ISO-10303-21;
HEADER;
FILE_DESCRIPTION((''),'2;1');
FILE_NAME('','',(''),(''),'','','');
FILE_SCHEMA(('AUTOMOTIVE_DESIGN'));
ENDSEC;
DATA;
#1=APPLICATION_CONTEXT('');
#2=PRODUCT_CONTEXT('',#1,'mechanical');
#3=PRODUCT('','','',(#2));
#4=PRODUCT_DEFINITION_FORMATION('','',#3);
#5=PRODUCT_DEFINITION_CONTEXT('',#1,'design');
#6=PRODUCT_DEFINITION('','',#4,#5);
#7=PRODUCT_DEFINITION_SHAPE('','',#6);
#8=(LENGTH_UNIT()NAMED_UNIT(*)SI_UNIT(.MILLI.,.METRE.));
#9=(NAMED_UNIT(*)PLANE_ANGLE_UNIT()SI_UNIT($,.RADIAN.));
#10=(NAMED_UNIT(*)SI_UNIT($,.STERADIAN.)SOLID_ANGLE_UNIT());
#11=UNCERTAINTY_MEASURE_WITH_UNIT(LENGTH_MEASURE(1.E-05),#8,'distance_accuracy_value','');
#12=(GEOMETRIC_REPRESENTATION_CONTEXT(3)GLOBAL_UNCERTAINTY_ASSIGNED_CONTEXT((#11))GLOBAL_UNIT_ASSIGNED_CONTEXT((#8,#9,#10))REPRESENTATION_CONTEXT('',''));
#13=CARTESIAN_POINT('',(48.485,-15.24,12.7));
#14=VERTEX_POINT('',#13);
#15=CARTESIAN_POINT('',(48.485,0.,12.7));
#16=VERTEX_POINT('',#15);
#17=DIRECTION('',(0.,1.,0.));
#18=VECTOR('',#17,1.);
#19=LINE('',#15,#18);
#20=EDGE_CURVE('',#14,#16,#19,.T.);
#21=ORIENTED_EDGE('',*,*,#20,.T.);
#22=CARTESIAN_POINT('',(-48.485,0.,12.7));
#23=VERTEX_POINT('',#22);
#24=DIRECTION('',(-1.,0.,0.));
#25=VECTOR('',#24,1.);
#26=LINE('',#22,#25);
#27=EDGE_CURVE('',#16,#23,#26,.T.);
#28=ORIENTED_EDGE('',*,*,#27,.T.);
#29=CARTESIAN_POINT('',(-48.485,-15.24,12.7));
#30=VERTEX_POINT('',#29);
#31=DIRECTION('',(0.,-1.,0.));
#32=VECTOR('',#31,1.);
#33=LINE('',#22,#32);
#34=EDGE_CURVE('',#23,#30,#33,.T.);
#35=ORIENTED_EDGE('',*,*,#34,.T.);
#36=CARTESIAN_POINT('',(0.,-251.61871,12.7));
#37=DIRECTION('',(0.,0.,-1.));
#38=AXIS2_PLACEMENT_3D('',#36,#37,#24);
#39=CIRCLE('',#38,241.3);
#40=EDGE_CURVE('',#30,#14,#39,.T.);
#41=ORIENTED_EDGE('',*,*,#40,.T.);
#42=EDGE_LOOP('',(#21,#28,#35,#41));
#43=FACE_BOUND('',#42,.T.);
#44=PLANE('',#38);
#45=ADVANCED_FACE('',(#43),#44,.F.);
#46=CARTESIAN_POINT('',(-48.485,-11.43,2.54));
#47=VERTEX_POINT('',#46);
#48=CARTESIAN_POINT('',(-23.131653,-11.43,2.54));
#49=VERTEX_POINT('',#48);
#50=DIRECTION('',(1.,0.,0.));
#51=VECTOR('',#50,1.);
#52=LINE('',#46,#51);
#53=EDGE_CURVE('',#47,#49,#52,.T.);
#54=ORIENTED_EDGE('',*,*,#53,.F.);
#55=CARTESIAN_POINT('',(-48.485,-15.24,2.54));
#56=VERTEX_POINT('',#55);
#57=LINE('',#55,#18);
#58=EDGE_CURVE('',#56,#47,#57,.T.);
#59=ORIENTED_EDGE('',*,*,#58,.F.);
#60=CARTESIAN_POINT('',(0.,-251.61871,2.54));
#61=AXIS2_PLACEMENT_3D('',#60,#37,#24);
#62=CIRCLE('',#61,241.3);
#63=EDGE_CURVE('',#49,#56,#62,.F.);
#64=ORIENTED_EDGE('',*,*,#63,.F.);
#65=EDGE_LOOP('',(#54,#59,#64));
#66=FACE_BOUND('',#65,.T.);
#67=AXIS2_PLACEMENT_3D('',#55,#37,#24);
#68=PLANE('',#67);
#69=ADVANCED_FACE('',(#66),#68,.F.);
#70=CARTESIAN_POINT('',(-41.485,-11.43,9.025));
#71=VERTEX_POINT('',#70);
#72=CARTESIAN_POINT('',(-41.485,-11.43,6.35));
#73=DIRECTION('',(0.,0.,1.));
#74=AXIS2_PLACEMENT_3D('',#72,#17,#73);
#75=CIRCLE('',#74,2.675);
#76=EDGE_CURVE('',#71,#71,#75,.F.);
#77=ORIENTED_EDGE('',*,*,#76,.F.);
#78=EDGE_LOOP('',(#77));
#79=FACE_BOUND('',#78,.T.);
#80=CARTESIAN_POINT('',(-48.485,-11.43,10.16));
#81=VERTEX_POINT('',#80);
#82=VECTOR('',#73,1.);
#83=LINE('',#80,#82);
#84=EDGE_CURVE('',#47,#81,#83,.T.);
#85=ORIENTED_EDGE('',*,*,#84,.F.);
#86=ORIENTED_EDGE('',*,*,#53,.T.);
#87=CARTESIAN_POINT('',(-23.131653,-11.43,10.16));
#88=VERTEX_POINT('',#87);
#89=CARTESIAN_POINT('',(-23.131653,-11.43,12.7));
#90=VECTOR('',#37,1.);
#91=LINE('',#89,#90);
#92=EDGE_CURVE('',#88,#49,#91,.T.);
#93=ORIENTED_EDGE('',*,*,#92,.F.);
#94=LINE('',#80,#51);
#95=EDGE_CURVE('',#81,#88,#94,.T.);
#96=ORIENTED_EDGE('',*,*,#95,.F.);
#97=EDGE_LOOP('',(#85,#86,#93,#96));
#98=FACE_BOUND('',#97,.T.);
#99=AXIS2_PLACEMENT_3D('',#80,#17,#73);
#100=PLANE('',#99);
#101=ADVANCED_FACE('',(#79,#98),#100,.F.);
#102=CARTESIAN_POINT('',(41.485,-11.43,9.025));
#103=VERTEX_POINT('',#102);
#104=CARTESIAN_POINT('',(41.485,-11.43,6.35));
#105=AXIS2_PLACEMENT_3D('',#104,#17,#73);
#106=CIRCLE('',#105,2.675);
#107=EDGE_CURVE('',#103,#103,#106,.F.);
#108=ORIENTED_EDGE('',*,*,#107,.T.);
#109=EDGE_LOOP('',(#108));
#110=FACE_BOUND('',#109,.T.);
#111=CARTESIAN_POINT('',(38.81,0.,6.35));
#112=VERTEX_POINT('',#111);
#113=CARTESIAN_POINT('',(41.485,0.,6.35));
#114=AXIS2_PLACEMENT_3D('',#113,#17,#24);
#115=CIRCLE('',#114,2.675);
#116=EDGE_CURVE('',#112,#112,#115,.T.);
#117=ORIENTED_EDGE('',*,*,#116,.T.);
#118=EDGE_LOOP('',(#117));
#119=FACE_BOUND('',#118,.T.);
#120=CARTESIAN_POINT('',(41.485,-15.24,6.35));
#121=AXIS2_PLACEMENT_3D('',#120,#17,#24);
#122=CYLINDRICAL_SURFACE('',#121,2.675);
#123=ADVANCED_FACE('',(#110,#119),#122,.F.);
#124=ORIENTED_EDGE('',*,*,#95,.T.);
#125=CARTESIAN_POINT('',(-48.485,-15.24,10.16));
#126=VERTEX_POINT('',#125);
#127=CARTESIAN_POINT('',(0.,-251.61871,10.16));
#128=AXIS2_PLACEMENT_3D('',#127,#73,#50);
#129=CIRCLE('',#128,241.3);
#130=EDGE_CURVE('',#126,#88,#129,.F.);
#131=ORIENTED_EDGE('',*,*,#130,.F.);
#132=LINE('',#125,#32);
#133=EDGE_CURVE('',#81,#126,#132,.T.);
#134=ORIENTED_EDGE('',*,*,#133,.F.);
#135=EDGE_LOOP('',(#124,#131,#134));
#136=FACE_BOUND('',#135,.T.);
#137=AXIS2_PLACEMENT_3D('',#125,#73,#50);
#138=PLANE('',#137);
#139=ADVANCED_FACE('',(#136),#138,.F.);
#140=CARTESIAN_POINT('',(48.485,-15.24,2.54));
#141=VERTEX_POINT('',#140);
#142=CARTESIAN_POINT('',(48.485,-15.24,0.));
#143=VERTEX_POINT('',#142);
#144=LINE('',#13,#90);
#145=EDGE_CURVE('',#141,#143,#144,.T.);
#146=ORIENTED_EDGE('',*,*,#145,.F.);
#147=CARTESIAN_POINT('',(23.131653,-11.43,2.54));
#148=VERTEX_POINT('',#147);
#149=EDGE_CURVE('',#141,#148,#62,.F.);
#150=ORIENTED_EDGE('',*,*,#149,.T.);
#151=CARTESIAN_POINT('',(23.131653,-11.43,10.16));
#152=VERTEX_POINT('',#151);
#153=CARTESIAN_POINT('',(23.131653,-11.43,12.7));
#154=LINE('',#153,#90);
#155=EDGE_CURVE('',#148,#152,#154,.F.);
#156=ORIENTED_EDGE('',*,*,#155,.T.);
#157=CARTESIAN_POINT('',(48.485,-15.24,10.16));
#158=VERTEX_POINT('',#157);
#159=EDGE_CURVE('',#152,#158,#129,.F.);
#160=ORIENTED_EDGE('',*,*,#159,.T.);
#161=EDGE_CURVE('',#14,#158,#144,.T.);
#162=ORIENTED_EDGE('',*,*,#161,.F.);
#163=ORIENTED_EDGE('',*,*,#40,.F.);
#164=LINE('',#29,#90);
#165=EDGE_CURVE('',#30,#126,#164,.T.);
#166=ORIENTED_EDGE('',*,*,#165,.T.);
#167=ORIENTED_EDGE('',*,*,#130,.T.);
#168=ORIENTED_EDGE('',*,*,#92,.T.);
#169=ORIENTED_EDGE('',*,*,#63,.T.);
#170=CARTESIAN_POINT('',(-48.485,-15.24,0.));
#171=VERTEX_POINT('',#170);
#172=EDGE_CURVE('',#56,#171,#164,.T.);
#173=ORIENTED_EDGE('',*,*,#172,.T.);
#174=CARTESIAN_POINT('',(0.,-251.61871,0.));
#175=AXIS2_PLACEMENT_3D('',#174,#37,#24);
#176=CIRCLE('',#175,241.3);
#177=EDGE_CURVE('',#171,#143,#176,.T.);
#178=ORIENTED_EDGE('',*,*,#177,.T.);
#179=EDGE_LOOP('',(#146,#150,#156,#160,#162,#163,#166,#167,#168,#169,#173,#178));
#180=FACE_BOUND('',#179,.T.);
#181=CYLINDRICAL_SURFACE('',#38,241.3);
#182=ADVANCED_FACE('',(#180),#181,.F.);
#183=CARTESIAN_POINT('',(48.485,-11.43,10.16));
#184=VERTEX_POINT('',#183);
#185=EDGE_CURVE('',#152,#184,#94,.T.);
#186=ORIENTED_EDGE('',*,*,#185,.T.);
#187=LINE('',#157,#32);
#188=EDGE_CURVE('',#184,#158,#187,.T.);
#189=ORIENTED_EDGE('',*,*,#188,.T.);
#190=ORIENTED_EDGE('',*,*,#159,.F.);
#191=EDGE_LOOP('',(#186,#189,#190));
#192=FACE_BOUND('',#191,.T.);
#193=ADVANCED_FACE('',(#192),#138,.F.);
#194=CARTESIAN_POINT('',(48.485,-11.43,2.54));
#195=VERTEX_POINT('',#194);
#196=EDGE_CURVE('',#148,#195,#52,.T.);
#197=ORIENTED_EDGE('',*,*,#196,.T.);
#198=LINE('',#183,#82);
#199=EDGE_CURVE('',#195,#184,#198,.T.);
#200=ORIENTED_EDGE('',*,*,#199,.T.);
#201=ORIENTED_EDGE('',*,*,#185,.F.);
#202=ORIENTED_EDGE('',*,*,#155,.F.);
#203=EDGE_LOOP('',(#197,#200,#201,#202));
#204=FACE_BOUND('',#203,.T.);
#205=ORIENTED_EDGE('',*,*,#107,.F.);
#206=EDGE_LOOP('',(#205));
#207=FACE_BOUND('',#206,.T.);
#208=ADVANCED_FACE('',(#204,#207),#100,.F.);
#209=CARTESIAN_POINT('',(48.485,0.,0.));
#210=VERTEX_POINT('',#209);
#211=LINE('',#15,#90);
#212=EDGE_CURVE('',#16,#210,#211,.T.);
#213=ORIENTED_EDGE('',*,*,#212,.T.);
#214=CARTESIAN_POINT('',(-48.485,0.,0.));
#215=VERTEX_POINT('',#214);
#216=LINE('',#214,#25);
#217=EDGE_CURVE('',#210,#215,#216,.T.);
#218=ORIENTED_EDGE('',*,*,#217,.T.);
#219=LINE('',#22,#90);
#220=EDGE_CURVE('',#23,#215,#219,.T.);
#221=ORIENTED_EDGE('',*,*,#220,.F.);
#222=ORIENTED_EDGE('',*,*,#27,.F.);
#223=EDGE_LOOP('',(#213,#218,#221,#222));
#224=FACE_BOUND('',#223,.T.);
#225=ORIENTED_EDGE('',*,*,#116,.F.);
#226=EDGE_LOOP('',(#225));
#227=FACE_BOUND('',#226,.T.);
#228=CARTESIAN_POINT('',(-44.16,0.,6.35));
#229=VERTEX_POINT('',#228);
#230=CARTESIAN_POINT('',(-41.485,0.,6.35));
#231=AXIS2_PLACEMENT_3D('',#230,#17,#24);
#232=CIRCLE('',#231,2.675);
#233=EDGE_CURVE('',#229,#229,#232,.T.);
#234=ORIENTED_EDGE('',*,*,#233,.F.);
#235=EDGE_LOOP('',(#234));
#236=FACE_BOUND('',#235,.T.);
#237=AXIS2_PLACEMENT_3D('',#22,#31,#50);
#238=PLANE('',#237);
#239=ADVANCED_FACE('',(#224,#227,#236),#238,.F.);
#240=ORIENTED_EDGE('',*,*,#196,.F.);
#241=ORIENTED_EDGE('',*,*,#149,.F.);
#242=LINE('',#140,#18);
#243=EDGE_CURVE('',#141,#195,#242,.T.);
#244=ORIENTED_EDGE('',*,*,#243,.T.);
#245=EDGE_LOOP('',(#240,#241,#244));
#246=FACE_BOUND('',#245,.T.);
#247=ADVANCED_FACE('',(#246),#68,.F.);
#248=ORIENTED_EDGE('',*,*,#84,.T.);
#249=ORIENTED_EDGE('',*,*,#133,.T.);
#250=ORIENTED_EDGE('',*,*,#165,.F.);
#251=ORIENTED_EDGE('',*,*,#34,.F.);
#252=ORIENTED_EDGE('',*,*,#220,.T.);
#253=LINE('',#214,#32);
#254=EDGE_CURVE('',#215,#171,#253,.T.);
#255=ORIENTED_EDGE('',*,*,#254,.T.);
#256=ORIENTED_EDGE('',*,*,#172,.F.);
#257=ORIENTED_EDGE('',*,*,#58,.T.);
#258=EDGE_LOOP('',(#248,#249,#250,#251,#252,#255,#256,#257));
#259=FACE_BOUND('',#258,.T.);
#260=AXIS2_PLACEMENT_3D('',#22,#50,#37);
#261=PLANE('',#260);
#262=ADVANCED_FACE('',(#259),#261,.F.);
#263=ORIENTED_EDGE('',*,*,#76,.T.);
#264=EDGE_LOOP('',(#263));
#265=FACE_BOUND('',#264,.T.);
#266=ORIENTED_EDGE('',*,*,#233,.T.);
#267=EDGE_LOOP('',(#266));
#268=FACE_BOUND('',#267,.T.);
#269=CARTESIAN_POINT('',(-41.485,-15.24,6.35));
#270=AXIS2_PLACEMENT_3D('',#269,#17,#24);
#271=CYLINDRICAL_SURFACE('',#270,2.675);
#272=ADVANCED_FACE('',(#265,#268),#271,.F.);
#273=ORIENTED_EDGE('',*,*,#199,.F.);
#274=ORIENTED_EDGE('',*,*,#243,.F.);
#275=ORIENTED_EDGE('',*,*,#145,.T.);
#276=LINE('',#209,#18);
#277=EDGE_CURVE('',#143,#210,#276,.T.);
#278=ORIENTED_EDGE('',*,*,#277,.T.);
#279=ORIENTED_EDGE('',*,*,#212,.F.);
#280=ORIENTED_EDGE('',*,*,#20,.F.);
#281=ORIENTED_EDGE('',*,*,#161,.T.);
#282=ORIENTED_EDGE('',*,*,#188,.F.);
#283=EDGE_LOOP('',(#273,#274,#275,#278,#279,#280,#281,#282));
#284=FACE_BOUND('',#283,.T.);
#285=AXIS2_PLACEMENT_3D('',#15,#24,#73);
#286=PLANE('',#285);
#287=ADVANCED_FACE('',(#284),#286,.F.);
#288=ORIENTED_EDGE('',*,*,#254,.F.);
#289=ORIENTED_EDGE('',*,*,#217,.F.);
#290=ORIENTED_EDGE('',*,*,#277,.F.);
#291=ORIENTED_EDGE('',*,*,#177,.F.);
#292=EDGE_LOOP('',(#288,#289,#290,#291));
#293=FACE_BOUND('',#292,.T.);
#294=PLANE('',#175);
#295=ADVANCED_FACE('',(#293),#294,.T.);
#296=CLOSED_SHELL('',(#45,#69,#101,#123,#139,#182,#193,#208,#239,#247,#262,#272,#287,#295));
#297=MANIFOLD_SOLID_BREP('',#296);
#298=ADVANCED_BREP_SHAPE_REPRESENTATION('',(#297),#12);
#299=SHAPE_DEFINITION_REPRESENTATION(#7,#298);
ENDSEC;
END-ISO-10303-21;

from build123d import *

# Parameters (mm, degrees)
BOSS_EXTRUDE1_DEPTH = 12.7
SKETCH2_R           = 2.675
CUT_EXTRUDE1_DEPTH  = 16.24
SKETCH3_W           = 7.62
SKETCH3_H           = 3.81
CUT_EXTRUDE2_DEPTH  = 97.9700001


with BuildPart() as part:
    # Sketch1 → Boss-Extrude1 (new body)
    with BuildSketch(Plane.XY):
        with BuildLine():
            Line((-48.485, 0), (48.485, 0))
            Line((48.485, 0), (48.485, -15.24))
            ThreePointArc((48.485, -15.24), (0, -10.318710494), (-48.485, -15.24))
            Line((-48.485, -15.24), (-48.485, 0))
        make_face()
    extrude(amount=BOSS_EXTRUDE1_DEPTH)

    # Sketch2 → Cut-Extrude1 (cut, through all)
    with BuildSketch(Plane(origin=(0, 0, 0), x_dir=(1, 0, 0), z_dir=(0, 1, 0))):
        with Locations((-41.485, -6.35)):
            Circle(SKETCH2_R)
        with Locations((41.485, -6.35)):
            Circle(SKETCH2_R)
    extrude(amount=-CUT_EXTRUDE1_DEPTH, mode=Mode.SUBTRACT)

    # Sketch3 → Cut-Extrude2 (cut, through all)
    with BuildSketch(Plane(origin=(48.485, 0, 0), x_dir=(0, 0, -1), z_dir=(1, 0, 0))):
        with Locations((-6.35, -13.335)):
            Rectangle(SKETCH3_W, SKETCH3_H)
    extrude(amount=-CUT_EXTRUDE2_DEPTH, mode=Mode.SUBTRACT)


solid = part.part
